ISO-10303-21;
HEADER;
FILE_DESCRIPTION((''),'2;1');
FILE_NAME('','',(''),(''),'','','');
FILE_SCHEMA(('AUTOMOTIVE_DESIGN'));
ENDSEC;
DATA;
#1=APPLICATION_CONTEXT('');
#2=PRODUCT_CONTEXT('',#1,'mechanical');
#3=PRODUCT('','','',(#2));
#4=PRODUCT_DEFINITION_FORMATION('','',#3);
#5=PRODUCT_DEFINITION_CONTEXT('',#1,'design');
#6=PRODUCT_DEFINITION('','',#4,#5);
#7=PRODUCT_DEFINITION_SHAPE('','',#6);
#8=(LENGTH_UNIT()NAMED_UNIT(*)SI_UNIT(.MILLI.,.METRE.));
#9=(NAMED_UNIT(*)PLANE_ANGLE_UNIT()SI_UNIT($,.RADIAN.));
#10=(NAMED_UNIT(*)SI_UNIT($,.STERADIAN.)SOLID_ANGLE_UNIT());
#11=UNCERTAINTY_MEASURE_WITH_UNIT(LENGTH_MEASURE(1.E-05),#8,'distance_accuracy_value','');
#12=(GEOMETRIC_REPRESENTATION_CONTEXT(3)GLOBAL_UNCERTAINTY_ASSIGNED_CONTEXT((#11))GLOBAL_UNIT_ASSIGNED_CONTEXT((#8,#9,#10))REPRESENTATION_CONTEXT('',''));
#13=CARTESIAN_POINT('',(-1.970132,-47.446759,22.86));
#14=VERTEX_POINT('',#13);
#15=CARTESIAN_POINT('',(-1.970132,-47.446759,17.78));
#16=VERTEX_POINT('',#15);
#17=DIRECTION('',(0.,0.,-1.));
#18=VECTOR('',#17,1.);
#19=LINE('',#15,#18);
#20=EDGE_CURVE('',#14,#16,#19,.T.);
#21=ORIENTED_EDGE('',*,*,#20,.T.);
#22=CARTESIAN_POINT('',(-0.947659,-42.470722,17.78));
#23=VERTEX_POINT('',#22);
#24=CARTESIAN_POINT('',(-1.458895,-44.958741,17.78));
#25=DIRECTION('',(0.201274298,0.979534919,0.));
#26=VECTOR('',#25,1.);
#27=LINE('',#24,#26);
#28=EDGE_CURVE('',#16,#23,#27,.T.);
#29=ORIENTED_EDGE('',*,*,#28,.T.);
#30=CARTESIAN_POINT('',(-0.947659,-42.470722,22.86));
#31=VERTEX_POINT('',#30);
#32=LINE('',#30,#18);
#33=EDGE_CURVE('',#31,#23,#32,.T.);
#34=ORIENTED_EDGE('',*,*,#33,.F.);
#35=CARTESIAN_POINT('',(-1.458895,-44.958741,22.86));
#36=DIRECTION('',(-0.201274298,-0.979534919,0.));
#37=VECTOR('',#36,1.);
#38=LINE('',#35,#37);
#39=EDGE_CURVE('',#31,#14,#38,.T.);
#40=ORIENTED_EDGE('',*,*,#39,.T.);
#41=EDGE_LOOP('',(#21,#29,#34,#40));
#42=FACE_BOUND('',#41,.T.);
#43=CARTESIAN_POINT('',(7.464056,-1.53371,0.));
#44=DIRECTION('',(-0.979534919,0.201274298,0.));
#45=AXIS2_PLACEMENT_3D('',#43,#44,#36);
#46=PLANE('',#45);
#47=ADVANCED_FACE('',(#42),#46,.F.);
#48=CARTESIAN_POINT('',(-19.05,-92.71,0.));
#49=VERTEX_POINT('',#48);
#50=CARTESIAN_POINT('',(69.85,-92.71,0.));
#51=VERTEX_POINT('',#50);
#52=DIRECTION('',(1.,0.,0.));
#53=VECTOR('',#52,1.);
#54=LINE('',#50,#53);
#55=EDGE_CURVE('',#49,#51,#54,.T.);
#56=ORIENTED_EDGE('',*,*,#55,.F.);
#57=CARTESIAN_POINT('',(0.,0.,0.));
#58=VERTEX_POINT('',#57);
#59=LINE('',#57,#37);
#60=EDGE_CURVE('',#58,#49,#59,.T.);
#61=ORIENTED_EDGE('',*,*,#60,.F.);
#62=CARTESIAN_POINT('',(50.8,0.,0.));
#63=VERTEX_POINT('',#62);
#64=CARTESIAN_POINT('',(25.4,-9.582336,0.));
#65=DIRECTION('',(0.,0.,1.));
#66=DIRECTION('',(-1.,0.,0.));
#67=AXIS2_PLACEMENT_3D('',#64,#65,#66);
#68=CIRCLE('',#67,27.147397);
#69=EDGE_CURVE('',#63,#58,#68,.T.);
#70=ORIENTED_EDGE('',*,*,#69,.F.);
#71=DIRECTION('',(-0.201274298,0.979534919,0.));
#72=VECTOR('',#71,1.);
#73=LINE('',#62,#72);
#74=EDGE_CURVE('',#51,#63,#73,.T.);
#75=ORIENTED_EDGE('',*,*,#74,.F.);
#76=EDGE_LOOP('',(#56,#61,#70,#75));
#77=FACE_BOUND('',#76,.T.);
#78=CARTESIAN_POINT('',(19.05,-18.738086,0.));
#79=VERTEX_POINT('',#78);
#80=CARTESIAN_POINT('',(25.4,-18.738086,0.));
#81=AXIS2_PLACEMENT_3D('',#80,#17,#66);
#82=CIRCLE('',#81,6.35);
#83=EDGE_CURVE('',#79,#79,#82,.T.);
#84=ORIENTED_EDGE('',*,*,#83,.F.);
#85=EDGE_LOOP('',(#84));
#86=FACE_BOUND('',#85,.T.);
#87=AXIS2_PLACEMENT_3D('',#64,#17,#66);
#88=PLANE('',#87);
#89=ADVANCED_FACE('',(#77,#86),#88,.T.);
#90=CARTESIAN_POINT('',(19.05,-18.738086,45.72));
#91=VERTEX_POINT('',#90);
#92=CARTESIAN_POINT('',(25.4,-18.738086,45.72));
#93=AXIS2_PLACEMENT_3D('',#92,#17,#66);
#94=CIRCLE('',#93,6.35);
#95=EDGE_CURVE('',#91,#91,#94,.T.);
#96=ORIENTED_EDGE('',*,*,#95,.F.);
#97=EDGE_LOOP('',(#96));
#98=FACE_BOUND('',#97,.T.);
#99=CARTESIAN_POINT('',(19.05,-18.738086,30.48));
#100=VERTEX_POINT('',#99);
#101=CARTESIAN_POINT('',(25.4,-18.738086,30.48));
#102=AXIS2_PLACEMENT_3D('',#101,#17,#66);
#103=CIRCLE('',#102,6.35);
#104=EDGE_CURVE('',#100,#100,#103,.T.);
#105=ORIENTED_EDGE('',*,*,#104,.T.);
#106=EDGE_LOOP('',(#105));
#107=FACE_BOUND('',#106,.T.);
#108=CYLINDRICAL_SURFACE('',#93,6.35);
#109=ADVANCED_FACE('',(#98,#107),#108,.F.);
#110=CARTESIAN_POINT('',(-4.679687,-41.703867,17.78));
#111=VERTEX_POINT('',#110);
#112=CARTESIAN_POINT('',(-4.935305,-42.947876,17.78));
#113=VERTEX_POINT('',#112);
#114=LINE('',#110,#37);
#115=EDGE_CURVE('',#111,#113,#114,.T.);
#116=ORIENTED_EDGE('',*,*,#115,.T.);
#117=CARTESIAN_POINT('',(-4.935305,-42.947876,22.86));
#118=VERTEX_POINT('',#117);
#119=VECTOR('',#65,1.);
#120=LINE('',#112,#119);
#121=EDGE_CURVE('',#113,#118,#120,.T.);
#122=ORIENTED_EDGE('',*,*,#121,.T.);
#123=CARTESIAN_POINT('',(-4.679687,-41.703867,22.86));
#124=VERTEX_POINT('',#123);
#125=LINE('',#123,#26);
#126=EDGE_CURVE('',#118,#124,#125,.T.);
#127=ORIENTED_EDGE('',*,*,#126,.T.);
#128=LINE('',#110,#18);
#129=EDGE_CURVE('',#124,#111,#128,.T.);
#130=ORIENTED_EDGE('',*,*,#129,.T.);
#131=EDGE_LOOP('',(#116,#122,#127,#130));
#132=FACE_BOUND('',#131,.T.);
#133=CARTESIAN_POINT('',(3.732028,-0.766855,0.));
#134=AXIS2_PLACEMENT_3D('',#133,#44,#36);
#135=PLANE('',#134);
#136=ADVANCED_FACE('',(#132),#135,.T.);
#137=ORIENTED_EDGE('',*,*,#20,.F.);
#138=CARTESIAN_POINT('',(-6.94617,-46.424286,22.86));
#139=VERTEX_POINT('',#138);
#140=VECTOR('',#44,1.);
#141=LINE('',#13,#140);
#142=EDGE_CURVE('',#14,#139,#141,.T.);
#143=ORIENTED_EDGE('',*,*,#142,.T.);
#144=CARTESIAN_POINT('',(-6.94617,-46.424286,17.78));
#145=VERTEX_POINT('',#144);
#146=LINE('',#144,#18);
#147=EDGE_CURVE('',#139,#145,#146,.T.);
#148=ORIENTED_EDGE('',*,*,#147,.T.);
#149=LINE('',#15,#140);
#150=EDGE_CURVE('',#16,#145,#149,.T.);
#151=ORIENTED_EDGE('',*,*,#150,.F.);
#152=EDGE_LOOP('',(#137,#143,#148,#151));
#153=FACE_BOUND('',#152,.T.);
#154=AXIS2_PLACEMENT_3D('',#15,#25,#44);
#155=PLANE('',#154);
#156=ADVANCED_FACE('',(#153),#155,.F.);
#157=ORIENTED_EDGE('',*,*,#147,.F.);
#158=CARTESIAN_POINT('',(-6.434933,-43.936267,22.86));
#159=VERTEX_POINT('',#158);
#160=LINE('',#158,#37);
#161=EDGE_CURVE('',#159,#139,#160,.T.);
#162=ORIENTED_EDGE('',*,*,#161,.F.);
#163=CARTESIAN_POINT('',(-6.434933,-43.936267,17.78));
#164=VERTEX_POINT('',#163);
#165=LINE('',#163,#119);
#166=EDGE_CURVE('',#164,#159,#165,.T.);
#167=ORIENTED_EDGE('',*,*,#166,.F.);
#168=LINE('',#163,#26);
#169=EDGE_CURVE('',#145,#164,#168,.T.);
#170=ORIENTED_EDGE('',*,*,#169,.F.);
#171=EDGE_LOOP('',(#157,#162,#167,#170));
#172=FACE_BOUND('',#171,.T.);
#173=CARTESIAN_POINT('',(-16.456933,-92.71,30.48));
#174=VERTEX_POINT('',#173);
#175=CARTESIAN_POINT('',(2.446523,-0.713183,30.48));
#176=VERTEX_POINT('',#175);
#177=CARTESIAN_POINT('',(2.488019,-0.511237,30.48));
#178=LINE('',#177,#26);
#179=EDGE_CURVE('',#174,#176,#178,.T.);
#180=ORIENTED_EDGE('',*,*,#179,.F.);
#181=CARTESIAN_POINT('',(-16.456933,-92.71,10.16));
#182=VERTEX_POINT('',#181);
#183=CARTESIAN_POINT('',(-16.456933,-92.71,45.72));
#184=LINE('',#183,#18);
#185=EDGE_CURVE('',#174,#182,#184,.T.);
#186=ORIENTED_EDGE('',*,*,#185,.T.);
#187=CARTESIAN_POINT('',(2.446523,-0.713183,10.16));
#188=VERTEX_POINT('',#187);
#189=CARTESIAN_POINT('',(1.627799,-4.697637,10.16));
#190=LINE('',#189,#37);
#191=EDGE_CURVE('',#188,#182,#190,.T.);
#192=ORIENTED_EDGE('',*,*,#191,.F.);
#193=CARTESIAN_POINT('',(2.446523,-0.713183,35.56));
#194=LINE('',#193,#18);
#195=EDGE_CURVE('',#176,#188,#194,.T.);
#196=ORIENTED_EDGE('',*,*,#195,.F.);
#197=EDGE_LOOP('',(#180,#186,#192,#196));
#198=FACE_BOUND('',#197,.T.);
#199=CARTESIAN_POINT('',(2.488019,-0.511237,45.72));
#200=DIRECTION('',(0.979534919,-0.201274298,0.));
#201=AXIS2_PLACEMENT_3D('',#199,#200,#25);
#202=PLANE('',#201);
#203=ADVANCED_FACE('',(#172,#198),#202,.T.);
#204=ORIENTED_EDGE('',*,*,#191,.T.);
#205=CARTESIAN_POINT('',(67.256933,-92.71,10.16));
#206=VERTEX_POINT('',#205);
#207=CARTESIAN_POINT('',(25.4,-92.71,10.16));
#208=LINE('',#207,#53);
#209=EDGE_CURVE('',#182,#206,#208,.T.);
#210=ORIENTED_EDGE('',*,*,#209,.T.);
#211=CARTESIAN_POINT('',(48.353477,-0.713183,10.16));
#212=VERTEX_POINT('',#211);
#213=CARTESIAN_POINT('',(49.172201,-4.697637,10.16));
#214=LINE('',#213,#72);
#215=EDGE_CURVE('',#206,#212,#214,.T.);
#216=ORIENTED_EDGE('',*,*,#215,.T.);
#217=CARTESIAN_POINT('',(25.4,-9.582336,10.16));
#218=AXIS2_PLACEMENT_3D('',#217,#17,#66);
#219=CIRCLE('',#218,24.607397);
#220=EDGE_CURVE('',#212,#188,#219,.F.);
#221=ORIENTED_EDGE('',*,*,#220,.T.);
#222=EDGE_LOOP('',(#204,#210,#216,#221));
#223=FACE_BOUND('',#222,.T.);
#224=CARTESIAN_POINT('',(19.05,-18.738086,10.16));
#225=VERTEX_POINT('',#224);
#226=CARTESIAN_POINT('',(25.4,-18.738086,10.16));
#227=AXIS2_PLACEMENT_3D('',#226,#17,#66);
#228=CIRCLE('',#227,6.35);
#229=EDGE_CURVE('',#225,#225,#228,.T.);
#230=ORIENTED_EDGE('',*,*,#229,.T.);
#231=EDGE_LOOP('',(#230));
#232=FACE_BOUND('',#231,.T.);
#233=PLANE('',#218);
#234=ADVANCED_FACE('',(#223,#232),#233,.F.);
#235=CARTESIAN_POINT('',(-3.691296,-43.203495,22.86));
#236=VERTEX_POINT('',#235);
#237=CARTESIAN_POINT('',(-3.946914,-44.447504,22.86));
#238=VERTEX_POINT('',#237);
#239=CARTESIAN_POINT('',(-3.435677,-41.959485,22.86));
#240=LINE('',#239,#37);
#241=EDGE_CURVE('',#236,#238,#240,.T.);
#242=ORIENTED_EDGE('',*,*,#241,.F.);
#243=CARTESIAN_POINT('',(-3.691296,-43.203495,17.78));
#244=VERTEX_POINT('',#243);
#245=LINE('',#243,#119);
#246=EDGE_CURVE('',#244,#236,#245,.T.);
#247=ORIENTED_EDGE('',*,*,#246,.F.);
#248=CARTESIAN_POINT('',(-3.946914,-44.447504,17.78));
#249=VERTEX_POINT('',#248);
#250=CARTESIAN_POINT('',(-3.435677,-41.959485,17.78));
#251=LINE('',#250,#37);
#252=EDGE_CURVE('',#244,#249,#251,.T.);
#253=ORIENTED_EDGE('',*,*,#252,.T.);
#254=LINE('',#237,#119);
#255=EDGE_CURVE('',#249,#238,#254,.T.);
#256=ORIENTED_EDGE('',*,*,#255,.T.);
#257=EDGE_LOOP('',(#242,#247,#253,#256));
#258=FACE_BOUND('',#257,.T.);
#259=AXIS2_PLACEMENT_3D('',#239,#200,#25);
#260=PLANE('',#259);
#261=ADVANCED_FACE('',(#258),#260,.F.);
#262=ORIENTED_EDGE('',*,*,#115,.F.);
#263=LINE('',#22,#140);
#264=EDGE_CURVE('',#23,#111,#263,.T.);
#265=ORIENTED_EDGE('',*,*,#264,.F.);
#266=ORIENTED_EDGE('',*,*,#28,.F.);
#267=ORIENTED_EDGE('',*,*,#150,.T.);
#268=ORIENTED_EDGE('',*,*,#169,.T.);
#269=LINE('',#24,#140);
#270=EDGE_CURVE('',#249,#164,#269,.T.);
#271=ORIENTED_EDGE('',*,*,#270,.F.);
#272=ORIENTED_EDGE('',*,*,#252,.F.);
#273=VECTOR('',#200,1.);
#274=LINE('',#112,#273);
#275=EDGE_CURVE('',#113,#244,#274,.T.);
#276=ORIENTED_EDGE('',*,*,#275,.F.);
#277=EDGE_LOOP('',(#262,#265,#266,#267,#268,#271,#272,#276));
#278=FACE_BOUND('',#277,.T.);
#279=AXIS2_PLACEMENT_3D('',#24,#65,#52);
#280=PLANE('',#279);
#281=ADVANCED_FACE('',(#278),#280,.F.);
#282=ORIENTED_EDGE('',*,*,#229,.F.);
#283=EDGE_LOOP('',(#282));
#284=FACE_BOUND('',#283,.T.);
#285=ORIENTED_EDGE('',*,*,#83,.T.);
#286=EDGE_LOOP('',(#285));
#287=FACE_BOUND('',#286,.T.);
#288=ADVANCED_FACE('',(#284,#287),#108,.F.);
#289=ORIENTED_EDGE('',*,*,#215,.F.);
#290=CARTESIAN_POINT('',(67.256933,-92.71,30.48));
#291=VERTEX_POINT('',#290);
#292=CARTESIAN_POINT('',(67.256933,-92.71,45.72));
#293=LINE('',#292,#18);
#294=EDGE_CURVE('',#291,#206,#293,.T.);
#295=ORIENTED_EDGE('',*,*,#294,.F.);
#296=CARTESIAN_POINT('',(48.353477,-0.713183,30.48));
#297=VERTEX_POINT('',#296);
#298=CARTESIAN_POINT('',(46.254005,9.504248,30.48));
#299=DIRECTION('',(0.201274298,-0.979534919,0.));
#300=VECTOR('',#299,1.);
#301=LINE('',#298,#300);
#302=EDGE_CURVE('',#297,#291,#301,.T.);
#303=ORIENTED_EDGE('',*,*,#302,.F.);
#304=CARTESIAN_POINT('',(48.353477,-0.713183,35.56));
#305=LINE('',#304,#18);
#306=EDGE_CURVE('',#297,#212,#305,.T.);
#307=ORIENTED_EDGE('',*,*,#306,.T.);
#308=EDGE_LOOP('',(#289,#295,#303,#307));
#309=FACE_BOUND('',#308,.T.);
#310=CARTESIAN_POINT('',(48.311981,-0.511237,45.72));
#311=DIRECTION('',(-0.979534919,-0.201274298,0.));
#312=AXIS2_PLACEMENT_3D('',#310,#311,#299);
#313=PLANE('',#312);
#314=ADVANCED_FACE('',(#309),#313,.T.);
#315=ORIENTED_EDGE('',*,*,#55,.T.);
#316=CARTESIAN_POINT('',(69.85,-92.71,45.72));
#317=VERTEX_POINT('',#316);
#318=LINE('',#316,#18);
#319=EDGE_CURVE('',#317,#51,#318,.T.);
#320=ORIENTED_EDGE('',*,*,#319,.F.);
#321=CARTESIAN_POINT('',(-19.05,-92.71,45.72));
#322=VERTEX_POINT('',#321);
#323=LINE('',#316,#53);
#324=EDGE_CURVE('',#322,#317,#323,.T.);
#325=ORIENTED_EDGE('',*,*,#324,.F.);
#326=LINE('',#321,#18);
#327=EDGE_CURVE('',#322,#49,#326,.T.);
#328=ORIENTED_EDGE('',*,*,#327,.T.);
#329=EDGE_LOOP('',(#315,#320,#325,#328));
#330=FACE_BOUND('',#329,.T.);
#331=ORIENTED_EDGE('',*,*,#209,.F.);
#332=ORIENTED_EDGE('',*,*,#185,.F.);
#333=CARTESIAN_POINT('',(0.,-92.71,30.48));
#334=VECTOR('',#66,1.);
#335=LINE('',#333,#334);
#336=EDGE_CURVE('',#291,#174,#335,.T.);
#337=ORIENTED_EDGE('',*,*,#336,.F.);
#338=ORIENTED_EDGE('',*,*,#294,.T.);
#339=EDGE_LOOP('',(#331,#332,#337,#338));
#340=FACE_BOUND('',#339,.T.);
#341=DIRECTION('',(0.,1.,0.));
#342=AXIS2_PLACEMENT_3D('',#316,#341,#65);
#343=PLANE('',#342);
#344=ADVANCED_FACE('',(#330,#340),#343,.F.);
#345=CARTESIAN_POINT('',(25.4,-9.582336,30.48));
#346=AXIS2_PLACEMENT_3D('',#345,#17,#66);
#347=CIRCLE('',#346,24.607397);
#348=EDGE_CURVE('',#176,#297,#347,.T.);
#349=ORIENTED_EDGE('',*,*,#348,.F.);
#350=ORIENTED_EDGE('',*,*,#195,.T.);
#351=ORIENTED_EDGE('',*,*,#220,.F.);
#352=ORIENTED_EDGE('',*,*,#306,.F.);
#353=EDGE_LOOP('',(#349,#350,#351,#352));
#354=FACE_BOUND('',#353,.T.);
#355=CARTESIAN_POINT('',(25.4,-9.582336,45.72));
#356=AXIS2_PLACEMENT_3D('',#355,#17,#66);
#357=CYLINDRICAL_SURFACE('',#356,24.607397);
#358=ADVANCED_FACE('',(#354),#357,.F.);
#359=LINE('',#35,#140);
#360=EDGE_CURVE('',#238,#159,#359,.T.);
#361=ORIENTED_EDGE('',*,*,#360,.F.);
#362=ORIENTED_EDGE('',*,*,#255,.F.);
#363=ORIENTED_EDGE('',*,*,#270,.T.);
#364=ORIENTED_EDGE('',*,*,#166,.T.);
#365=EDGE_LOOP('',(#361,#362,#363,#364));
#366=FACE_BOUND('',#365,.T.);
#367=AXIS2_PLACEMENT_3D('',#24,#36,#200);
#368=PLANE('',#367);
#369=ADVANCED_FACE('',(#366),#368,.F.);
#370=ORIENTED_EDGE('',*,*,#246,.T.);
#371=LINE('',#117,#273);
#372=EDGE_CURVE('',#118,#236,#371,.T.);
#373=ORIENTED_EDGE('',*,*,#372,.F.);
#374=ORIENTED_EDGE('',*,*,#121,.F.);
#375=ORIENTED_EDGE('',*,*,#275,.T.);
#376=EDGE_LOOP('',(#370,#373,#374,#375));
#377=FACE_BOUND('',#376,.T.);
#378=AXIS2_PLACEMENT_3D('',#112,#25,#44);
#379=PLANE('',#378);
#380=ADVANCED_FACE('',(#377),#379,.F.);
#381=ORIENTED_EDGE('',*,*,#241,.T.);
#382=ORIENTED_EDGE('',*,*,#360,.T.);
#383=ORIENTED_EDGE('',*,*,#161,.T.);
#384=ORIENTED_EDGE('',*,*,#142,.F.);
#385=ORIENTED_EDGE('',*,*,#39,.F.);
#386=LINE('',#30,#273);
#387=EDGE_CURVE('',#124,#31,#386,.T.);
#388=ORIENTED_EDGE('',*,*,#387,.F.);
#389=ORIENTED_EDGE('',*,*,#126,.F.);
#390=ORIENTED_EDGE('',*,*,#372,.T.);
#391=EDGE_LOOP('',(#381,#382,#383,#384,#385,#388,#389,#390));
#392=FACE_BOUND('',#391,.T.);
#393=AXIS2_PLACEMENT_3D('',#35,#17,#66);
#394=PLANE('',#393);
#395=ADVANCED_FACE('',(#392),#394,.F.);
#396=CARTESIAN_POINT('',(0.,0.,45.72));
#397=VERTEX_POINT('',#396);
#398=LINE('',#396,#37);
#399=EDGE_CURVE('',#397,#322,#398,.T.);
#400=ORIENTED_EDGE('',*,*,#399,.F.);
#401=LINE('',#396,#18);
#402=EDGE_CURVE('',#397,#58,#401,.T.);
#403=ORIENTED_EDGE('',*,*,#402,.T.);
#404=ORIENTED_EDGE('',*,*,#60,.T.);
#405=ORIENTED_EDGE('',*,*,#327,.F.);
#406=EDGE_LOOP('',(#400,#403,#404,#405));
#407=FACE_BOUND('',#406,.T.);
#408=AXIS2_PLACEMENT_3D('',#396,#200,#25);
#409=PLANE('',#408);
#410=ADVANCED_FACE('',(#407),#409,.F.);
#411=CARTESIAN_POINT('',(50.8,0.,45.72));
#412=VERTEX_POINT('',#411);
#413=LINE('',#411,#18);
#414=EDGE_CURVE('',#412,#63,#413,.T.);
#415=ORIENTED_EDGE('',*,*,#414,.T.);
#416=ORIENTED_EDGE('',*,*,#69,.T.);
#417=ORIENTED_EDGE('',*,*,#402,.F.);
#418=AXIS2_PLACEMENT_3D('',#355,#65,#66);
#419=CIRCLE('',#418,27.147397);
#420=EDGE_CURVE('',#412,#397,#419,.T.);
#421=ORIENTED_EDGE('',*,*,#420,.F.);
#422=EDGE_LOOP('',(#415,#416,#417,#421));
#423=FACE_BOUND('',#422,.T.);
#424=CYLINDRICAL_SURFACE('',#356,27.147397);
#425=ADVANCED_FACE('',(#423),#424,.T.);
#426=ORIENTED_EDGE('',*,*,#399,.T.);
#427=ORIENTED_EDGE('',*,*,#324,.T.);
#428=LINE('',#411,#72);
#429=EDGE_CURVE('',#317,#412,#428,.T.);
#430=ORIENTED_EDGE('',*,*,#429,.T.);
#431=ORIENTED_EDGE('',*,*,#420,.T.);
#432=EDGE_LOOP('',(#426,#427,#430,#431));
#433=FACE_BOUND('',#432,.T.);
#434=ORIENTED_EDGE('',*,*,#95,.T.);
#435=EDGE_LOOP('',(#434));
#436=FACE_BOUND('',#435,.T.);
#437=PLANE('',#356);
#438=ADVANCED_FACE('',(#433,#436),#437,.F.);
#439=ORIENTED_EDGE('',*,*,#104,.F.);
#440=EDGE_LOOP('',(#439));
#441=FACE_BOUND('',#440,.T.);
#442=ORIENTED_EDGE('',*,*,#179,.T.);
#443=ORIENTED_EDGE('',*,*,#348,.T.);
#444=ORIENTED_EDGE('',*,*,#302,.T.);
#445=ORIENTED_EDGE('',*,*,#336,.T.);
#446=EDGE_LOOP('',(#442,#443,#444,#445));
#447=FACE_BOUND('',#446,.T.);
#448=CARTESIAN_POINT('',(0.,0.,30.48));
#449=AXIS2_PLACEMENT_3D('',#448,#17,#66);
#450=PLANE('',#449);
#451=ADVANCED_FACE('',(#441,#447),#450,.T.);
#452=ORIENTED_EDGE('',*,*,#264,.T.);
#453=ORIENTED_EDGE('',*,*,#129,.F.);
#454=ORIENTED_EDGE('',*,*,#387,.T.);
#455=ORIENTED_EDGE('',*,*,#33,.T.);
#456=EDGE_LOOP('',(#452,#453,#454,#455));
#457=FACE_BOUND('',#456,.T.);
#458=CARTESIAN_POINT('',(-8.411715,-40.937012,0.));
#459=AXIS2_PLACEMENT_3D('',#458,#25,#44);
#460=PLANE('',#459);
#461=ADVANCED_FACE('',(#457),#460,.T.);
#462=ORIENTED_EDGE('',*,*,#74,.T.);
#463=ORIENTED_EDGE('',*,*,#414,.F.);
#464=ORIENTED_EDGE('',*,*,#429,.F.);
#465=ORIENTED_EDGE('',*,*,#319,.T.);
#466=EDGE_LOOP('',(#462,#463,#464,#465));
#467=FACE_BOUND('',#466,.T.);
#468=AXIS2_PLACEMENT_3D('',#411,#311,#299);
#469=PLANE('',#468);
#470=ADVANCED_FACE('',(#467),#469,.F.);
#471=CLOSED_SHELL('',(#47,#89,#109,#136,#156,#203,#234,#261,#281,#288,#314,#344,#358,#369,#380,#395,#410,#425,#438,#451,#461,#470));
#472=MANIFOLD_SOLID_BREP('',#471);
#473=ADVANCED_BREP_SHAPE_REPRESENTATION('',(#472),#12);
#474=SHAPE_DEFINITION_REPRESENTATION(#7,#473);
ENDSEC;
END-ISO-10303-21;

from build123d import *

# Parameters (mm, degrees)
BOSS_EXTRUDE1_DEPTH      = 45.72
SHELL1_T                 = -2.54
SHELL1_THICKNESS_2_DEPTH = 7.62
SHELL1_THICKNESS_3_DEPTH = 7.62
BOSS_EXTRUDE2_DEPTH      = 5.08
SKETCH3_R                = 6.35
CUT_EXTRUDE1_DEPTH       = 45.72
SKETCH4_W                = 5.08
SKETCH4_H                = 2.54
BOSS_EXTRUDE3_DEPTH      = 5.08
SKETCH5_W                = 2.54
SKETCH5_H                = 5.08
BOSS_EXTRUDE4_DEPTH      = 2.54
SKETCH6_W                = 5.08
SKETCH6_H                = 1.27
BOSS_EXTRUDE5_DEPTH      = 1.27


with BuildPart() as part:
    # Sketch1 → Boss-Extrude1 (new body)
    with BuildSketch(Plane.XY):
        with BuildLine():
            Line((0, 0), (-19.05, -92.71))
            Line((-19.05, -92.71), (69.85, -92.71))
            Line((69.85, -92.71), (50.8, 0))
            ThreePointArc((50.8, 0), (25.4, 17.565060875), (0, 0))
        make_face()
    extrude(amount=BOSS_EXTRUDE1_DEPTH)

    # Shell1
    shell1_openings = [part.faces().sort_by_distance(p)[0] for p in [
        (25.4, -92.71, 22.86),
    ]]
    offset(amount=SHELL1_T, openings=shell1_openings, kind=Kind.INTERSECTION)

    # Shell1 thickness 2 face (on inner face of the shell) → Shell1 thickness 2 (add)
    with BuildSketch(Plane(origin=(25.4, -46.578295761, 43.18), x_dir=(1, 0, 0), z_dir=(0, 0, 1))):
        with BuildLine():
            Line((41.856932666, -46.131704239), (-41.856932666, -46.131704239))
            Line((-41.856932666, -46.131704239), (-22.953477125, 45.865112726))
            ThreePointArc((-22.953477125, 45.865112726), (0, 61.603356636), (22.953477125, 45.865112726))
            Line((22.953477125, 45.865112726), (41.856932666, -46.131704239))
        make_face()
    extrude(amount=-SHELL1_THICKNESS_2_DEPTH)

    # Shell1 thickness 3 face (on inner face of the shell) → Shell1 thickness 3 (add)
    with BuildSketch(Plane(origin=(25.4, -46.578295761, 2.54), x_dir=(-1, 0, 0), z_dir=(0, 0, -1))):
        with BuildLine():
            Line((41.856932666, -46.131704239), (-41.856932666, -46.131704239))
            Line((-41.856932666, -46.131704239), (-22.953477125, 45.865112726))
            ThreePointArc((-22.953477125, 45.865112726), (0, 61.603356636), (22.953477125, 45.865112726))
            Line((22.953477125, 45.865112726), (41.856932666, -46.131704239))
        make_face()
    extrude(amount=-SHELL1_THICKNESS_3_DEPTH)

    # Sketch2 → Boss-Extrude2 (add)
    with BuildSketch(Plane(origin=(0, 0, 35.56), x_dir=(-1, 0, 0), z_dir=(0, 0, -1))):
        with BuildLine():
            Line((-48.353477125, -0.713183035), (-67.256932666, -92.71))
            Line((-67.256932666, -92.71), (16.456932666, -92.71))
            Line((16.456932666, -92.71), (-2.446522875, -0.713183035))
            ThreePointArc((-2.446522875, -0.713183035), (-11.484590973, 10.712623327), (-25.4, 15.025060875))
            ThreePointArc((-25.4, 15.025060875), (-39.315409027, 10.712623327), (-48.353477125, -0.713183035))
        make_face()
    extrude(amount=BOSS_EXTRUDE2_DEPTH)

    # Sketch3 → Cut-Extrude1 (cut)
    with BuildSketch(Plane(origin=(0, 0, 0), x_dir=(-1, 0, 0), z_dir=(0, 0, -1))):
        with Locations((-25.4, -18.738085506)):
            Circle(SKETCH3_R)
    extrude(amount=-CUT_EXTRUDE1_DEPTH, mode=Mode.SUBTRACT)

    # Sketch4 → Boss-Extrude3 (add)
    with BuildSketch(Plane(origin=(2.488018693, -0.511236718, 0), x_dir=(0, 0, -1), z_dir=(0.979534919, -0.201274298, 0))):
        with Locations((-20.32, -45.602294641)):
            Rectangle(SKETCH4_W, SKETCH4_H)
    extrude(amount=BOSS_EXTRUDE3_DEPTH)

    # Sketch5 → Boss-Extrude4 (add)
    with BuildSketch(Plane(origin=(-8.922951498, -43.425030624, 0), x_dir=(0.979534919, -0.201274298, 0), z_dir=(0.201274298, 0.979534919, 0))):
        with Locations((6.35, -20.32)):
            Rectangle(SKETCH5_W, SKETCH5_H)
    extrude(amount=BOSS_EXTRUDE4_DEPTH)

    # Sketch6 → Boss-Extrude5 (add)
    with BuildSketch(Plane(origin=(4.976037387, -1.022473436, 0), x_dir=(0, 0, 1), z_dir=(-0.979534919, 0.201274298, 0))):
        with Locations((20.32, -42.427294641)):
            Rectangle(SKETCH6_W, SKETCH6_H)
    extrude(amount=BOSS_EXTRUDE5_DEPTH)


solid = part.part
